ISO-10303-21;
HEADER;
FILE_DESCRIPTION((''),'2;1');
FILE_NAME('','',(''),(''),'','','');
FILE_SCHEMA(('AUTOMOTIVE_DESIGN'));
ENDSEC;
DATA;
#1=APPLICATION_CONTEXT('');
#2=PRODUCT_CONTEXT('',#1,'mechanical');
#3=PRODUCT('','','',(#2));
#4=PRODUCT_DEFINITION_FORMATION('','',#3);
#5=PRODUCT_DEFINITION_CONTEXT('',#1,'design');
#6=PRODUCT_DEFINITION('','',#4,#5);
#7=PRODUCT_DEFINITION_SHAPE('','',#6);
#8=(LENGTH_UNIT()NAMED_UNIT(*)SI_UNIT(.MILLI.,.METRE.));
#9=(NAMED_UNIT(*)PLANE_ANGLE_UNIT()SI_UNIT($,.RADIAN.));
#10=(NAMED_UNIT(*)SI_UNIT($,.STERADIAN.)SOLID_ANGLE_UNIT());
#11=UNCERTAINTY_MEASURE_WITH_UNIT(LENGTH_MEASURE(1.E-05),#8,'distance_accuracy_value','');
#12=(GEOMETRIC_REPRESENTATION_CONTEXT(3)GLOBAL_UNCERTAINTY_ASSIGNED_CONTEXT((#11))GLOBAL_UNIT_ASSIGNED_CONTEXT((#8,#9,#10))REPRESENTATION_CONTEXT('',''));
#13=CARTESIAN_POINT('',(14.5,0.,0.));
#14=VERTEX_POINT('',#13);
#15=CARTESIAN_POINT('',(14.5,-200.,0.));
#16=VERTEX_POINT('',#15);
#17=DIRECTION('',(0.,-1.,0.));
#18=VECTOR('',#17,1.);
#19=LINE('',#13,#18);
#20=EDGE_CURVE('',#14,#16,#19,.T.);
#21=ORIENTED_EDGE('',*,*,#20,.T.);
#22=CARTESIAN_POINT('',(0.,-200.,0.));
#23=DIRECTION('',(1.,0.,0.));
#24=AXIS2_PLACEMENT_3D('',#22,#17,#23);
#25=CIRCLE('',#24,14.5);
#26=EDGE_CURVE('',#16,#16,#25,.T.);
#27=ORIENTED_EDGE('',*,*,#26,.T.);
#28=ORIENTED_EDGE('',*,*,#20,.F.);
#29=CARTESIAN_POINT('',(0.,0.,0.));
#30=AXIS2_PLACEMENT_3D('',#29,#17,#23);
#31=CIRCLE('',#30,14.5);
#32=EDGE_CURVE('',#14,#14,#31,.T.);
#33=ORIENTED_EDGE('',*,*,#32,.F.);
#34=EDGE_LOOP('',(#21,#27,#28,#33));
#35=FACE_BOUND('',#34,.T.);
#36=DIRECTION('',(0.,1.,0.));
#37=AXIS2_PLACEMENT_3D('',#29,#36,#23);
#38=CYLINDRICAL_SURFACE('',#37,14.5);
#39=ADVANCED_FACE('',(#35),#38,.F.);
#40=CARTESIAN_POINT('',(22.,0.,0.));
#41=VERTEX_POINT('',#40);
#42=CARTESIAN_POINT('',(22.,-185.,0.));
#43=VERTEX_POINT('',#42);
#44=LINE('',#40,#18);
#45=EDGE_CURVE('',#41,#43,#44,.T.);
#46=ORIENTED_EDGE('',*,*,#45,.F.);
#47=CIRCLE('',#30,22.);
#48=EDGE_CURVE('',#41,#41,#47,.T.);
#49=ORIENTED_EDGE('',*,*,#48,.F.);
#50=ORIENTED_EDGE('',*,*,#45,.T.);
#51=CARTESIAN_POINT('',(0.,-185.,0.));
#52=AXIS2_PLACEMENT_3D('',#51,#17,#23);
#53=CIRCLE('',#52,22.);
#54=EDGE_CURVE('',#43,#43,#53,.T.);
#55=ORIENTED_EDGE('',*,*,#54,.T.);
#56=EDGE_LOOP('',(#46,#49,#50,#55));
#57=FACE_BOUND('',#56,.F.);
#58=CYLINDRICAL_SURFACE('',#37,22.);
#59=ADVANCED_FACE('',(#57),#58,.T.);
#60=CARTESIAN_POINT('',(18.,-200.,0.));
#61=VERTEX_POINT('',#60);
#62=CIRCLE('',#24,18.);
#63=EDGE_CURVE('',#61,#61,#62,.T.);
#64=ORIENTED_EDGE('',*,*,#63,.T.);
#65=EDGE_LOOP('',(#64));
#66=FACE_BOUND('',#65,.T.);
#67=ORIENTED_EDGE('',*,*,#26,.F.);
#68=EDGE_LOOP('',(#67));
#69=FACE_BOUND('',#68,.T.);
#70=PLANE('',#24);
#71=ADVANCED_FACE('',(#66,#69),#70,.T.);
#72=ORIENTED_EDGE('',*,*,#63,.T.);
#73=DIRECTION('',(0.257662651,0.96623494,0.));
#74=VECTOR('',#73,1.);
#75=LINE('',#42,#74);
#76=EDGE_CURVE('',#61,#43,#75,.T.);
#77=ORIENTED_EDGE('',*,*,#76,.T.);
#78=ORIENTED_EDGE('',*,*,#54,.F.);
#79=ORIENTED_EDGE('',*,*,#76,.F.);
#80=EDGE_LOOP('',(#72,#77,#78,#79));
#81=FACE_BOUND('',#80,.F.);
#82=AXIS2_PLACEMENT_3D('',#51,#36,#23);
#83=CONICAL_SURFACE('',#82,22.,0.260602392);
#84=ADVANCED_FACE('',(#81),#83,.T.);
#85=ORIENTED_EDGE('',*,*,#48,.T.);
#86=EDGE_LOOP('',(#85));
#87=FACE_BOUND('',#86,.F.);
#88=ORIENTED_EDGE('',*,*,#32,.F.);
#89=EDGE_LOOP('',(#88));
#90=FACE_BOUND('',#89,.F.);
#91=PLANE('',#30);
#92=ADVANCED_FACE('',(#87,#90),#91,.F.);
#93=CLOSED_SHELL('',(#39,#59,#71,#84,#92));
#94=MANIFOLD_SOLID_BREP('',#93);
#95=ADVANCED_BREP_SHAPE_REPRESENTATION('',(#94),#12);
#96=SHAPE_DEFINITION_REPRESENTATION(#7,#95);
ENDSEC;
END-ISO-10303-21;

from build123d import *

# Parameters (mm, degrees)
F0_R     = 22
F0_R_2   = 14.5
F1_DEPTH = 200
F2_SIZE2 = 15
F2_SIZE  = 4


with BuildPart() as f1:
    # F0 (on Front) → F1 (new body)
    with BuildSketch(Plane.XZ):
        Circle(F0_R)
        Circle(F0_R_2, mode=Mode.SUBTRACT)
    extrude(amount=F1_DEPTH)

    # F2
    f2_edges = [f1.edges().sort_by_distance(p)[0] for p in [
        (-22, -200, 0),
    ]]
    f2_side = f1.faces().sort_by_distance((-21.377746, -200, 0))[0]
    chamfer(f2_edges, length=F2_SIZE, length2=F2_SIZE2, reference=f2_side)


solid = f1.part
